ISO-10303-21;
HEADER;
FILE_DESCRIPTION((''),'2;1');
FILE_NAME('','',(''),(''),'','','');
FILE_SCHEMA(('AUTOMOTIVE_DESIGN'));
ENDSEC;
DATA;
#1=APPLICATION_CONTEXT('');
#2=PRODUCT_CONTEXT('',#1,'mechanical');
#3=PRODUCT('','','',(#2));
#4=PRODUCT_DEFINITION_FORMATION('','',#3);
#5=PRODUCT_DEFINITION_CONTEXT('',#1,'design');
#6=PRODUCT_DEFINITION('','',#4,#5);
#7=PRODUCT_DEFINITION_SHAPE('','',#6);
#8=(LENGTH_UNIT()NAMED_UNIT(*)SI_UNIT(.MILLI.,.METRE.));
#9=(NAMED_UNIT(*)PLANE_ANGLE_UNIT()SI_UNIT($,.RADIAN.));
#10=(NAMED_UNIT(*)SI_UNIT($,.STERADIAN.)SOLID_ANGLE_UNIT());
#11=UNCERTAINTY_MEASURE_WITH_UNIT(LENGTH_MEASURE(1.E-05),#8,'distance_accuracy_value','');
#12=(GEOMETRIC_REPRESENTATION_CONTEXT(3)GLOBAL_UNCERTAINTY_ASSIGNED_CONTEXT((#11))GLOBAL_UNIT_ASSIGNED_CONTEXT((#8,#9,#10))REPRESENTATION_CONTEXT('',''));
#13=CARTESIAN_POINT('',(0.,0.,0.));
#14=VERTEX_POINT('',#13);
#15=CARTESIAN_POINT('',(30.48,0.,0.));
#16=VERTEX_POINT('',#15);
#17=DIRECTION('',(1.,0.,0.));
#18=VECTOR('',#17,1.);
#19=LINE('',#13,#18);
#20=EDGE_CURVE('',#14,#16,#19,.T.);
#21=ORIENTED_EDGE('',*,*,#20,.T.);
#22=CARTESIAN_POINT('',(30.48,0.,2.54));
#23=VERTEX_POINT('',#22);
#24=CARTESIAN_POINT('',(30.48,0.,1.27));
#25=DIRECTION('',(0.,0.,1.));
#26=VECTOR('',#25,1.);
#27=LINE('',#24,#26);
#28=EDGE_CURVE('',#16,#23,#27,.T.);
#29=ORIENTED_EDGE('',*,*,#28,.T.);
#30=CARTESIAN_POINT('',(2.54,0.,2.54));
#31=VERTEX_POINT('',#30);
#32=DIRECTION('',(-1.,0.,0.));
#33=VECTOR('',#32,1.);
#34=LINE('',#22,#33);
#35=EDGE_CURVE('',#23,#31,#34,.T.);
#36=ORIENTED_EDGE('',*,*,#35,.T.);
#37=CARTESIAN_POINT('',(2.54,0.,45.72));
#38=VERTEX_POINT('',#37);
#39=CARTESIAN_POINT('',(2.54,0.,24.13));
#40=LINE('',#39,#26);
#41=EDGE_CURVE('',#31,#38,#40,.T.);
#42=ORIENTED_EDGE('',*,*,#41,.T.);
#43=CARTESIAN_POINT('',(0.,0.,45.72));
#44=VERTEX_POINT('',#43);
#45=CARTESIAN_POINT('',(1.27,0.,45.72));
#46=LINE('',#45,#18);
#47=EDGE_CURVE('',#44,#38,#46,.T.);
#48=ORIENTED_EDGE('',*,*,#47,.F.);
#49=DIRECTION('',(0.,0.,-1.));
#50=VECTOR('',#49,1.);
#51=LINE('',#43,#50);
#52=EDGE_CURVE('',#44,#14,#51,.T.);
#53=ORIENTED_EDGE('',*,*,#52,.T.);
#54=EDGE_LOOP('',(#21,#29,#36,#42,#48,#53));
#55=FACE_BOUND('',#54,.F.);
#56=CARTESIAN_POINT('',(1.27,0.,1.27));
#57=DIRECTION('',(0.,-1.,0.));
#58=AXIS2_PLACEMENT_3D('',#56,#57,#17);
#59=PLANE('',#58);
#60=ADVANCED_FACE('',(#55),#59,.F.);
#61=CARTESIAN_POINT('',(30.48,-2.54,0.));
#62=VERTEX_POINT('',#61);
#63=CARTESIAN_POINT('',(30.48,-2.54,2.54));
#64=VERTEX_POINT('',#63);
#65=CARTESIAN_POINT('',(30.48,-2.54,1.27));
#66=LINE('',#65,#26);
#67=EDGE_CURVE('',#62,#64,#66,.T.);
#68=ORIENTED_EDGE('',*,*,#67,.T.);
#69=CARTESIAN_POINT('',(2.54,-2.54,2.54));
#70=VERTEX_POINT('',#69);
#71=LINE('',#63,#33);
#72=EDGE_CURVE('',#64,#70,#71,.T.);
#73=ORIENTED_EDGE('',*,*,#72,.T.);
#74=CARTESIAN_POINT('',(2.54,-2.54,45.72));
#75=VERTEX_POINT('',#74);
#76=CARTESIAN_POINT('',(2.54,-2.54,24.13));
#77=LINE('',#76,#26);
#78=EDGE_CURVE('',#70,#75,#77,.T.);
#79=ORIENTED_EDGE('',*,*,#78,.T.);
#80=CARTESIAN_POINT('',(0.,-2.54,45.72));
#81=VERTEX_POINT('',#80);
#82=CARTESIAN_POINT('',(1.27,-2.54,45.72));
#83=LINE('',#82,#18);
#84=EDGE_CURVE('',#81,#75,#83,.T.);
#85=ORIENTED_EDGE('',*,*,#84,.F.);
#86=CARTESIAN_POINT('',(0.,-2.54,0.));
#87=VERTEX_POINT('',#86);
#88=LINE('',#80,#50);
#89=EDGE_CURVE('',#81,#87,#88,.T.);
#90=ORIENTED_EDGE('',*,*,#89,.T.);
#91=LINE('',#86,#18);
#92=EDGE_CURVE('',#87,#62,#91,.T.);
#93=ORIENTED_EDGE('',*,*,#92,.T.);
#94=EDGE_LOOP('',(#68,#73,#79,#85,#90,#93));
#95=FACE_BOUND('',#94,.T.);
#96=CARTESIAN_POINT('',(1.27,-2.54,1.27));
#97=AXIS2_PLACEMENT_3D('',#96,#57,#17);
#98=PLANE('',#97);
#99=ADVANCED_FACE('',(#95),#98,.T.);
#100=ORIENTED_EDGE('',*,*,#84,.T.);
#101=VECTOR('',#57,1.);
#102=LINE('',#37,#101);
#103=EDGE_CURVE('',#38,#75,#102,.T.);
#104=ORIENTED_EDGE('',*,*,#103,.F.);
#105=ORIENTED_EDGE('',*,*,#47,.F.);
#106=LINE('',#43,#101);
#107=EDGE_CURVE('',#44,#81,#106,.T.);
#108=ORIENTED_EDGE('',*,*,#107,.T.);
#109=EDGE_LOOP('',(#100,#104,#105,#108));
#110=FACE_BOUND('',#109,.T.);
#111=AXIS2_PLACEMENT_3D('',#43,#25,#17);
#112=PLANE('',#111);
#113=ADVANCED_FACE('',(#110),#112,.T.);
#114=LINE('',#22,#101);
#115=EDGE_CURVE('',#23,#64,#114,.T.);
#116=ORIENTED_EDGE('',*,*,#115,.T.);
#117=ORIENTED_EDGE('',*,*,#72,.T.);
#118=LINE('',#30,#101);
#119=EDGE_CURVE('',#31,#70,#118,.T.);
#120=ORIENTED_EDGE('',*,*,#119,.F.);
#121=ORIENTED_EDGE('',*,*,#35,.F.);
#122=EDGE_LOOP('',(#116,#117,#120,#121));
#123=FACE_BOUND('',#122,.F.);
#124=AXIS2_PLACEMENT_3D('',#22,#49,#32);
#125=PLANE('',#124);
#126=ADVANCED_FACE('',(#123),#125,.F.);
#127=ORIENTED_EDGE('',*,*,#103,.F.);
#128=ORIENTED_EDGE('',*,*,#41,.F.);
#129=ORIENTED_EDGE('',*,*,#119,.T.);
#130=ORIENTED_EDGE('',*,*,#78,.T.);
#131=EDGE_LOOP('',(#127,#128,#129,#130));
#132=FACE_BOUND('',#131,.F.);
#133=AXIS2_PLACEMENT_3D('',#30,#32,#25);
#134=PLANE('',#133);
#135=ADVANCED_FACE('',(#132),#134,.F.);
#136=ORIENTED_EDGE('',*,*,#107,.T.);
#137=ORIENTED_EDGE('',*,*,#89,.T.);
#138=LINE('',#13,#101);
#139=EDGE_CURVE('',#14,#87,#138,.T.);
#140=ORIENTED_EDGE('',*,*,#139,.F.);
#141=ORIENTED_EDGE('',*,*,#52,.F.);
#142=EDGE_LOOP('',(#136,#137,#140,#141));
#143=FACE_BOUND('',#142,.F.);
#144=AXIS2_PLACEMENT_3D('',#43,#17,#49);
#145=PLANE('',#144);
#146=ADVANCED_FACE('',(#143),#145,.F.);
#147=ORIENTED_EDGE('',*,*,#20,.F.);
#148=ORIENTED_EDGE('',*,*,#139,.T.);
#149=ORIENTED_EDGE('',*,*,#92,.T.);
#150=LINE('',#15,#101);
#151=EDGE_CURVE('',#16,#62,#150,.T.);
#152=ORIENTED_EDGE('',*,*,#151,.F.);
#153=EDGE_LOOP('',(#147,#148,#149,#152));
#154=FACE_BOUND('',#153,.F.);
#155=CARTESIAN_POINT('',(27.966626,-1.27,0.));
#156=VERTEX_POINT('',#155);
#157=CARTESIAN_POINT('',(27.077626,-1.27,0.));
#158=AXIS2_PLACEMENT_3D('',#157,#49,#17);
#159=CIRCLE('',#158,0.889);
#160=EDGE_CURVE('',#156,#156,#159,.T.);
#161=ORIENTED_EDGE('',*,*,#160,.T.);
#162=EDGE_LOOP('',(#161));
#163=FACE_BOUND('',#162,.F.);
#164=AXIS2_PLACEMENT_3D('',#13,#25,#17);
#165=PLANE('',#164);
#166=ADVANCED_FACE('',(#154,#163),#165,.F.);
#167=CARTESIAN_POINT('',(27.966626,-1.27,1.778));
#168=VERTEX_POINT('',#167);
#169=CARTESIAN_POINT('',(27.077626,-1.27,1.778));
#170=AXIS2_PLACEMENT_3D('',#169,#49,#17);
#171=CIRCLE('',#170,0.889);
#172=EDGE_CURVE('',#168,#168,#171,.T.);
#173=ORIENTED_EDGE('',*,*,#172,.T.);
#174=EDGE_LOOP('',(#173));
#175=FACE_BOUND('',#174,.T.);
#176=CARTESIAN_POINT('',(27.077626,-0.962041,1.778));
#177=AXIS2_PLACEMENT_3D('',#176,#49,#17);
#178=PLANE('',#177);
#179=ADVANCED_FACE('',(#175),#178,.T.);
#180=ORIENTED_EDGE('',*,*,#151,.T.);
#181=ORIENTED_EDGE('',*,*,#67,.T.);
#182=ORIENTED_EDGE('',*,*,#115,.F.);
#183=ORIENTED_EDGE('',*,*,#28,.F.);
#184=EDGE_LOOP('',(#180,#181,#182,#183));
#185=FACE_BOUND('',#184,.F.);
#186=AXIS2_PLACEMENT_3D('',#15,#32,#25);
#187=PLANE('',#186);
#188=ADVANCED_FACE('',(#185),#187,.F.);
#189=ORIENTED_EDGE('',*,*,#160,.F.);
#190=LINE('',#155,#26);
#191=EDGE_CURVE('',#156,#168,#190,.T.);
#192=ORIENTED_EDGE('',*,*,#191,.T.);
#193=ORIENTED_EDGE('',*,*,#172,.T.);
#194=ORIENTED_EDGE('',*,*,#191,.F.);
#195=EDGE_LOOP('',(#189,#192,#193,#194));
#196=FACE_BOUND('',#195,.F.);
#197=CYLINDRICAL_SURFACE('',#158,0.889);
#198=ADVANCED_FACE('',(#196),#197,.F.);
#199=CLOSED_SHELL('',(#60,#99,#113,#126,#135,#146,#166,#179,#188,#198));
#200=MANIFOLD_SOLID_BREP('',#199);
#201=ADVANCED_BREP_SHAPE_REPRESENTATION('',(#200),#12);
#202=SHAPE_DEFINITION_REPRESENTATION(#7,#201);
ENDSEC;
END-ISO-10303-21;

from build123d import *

# Parameters (mm, degrees)
F0_W     = 2.54
F0_H     = 2.54
F0_W_2   = 27.94
F0_H_2   = 43.18
F1_DEPTH = 2.54
F3_DEPTH = 1.778


with BuildPart() as f1:
    # F0 (on Front) → F1 (new body)
    with BuildSketch(Plane.XZ):
        with Locations((1.27, 1.27)):
            Rectangle(F0_W, F0_H)
        with Locations((16.51, 1.27)):
            Rectangle(F0_W_2, F0_H)
        with Locations((1.27, 24.13)):
            Rectangle(F0_W, F0_H_2)
    extrude(amount=F1_DEPTH)

    # F2 (on face) → F3 (cut)
    with BuildSketch(Plane(origin=(0, 0, 0), x_dir=(1, 0, 0), z_dir=(0, 0, -1))):
        with BuildLine():
            ThreePointArc((26.188626, 1.27), (27.077626, 0.381), (27.966626, 1.27))
            Line((27.966626, 1.27), (26.188626, 1.27))
        make_face()
        with BuildLine():
            Line((26.188626, 1.27), (27.966626, 1.27))
            ThreePointArc((27.966626, 1.27), (27.077626, 2.159), (26.188626, 1.27))
        make_face()
    extrude(amount=-F3_DEPTH, mode=Mode.SUBTRACT)


solid = f1.part
